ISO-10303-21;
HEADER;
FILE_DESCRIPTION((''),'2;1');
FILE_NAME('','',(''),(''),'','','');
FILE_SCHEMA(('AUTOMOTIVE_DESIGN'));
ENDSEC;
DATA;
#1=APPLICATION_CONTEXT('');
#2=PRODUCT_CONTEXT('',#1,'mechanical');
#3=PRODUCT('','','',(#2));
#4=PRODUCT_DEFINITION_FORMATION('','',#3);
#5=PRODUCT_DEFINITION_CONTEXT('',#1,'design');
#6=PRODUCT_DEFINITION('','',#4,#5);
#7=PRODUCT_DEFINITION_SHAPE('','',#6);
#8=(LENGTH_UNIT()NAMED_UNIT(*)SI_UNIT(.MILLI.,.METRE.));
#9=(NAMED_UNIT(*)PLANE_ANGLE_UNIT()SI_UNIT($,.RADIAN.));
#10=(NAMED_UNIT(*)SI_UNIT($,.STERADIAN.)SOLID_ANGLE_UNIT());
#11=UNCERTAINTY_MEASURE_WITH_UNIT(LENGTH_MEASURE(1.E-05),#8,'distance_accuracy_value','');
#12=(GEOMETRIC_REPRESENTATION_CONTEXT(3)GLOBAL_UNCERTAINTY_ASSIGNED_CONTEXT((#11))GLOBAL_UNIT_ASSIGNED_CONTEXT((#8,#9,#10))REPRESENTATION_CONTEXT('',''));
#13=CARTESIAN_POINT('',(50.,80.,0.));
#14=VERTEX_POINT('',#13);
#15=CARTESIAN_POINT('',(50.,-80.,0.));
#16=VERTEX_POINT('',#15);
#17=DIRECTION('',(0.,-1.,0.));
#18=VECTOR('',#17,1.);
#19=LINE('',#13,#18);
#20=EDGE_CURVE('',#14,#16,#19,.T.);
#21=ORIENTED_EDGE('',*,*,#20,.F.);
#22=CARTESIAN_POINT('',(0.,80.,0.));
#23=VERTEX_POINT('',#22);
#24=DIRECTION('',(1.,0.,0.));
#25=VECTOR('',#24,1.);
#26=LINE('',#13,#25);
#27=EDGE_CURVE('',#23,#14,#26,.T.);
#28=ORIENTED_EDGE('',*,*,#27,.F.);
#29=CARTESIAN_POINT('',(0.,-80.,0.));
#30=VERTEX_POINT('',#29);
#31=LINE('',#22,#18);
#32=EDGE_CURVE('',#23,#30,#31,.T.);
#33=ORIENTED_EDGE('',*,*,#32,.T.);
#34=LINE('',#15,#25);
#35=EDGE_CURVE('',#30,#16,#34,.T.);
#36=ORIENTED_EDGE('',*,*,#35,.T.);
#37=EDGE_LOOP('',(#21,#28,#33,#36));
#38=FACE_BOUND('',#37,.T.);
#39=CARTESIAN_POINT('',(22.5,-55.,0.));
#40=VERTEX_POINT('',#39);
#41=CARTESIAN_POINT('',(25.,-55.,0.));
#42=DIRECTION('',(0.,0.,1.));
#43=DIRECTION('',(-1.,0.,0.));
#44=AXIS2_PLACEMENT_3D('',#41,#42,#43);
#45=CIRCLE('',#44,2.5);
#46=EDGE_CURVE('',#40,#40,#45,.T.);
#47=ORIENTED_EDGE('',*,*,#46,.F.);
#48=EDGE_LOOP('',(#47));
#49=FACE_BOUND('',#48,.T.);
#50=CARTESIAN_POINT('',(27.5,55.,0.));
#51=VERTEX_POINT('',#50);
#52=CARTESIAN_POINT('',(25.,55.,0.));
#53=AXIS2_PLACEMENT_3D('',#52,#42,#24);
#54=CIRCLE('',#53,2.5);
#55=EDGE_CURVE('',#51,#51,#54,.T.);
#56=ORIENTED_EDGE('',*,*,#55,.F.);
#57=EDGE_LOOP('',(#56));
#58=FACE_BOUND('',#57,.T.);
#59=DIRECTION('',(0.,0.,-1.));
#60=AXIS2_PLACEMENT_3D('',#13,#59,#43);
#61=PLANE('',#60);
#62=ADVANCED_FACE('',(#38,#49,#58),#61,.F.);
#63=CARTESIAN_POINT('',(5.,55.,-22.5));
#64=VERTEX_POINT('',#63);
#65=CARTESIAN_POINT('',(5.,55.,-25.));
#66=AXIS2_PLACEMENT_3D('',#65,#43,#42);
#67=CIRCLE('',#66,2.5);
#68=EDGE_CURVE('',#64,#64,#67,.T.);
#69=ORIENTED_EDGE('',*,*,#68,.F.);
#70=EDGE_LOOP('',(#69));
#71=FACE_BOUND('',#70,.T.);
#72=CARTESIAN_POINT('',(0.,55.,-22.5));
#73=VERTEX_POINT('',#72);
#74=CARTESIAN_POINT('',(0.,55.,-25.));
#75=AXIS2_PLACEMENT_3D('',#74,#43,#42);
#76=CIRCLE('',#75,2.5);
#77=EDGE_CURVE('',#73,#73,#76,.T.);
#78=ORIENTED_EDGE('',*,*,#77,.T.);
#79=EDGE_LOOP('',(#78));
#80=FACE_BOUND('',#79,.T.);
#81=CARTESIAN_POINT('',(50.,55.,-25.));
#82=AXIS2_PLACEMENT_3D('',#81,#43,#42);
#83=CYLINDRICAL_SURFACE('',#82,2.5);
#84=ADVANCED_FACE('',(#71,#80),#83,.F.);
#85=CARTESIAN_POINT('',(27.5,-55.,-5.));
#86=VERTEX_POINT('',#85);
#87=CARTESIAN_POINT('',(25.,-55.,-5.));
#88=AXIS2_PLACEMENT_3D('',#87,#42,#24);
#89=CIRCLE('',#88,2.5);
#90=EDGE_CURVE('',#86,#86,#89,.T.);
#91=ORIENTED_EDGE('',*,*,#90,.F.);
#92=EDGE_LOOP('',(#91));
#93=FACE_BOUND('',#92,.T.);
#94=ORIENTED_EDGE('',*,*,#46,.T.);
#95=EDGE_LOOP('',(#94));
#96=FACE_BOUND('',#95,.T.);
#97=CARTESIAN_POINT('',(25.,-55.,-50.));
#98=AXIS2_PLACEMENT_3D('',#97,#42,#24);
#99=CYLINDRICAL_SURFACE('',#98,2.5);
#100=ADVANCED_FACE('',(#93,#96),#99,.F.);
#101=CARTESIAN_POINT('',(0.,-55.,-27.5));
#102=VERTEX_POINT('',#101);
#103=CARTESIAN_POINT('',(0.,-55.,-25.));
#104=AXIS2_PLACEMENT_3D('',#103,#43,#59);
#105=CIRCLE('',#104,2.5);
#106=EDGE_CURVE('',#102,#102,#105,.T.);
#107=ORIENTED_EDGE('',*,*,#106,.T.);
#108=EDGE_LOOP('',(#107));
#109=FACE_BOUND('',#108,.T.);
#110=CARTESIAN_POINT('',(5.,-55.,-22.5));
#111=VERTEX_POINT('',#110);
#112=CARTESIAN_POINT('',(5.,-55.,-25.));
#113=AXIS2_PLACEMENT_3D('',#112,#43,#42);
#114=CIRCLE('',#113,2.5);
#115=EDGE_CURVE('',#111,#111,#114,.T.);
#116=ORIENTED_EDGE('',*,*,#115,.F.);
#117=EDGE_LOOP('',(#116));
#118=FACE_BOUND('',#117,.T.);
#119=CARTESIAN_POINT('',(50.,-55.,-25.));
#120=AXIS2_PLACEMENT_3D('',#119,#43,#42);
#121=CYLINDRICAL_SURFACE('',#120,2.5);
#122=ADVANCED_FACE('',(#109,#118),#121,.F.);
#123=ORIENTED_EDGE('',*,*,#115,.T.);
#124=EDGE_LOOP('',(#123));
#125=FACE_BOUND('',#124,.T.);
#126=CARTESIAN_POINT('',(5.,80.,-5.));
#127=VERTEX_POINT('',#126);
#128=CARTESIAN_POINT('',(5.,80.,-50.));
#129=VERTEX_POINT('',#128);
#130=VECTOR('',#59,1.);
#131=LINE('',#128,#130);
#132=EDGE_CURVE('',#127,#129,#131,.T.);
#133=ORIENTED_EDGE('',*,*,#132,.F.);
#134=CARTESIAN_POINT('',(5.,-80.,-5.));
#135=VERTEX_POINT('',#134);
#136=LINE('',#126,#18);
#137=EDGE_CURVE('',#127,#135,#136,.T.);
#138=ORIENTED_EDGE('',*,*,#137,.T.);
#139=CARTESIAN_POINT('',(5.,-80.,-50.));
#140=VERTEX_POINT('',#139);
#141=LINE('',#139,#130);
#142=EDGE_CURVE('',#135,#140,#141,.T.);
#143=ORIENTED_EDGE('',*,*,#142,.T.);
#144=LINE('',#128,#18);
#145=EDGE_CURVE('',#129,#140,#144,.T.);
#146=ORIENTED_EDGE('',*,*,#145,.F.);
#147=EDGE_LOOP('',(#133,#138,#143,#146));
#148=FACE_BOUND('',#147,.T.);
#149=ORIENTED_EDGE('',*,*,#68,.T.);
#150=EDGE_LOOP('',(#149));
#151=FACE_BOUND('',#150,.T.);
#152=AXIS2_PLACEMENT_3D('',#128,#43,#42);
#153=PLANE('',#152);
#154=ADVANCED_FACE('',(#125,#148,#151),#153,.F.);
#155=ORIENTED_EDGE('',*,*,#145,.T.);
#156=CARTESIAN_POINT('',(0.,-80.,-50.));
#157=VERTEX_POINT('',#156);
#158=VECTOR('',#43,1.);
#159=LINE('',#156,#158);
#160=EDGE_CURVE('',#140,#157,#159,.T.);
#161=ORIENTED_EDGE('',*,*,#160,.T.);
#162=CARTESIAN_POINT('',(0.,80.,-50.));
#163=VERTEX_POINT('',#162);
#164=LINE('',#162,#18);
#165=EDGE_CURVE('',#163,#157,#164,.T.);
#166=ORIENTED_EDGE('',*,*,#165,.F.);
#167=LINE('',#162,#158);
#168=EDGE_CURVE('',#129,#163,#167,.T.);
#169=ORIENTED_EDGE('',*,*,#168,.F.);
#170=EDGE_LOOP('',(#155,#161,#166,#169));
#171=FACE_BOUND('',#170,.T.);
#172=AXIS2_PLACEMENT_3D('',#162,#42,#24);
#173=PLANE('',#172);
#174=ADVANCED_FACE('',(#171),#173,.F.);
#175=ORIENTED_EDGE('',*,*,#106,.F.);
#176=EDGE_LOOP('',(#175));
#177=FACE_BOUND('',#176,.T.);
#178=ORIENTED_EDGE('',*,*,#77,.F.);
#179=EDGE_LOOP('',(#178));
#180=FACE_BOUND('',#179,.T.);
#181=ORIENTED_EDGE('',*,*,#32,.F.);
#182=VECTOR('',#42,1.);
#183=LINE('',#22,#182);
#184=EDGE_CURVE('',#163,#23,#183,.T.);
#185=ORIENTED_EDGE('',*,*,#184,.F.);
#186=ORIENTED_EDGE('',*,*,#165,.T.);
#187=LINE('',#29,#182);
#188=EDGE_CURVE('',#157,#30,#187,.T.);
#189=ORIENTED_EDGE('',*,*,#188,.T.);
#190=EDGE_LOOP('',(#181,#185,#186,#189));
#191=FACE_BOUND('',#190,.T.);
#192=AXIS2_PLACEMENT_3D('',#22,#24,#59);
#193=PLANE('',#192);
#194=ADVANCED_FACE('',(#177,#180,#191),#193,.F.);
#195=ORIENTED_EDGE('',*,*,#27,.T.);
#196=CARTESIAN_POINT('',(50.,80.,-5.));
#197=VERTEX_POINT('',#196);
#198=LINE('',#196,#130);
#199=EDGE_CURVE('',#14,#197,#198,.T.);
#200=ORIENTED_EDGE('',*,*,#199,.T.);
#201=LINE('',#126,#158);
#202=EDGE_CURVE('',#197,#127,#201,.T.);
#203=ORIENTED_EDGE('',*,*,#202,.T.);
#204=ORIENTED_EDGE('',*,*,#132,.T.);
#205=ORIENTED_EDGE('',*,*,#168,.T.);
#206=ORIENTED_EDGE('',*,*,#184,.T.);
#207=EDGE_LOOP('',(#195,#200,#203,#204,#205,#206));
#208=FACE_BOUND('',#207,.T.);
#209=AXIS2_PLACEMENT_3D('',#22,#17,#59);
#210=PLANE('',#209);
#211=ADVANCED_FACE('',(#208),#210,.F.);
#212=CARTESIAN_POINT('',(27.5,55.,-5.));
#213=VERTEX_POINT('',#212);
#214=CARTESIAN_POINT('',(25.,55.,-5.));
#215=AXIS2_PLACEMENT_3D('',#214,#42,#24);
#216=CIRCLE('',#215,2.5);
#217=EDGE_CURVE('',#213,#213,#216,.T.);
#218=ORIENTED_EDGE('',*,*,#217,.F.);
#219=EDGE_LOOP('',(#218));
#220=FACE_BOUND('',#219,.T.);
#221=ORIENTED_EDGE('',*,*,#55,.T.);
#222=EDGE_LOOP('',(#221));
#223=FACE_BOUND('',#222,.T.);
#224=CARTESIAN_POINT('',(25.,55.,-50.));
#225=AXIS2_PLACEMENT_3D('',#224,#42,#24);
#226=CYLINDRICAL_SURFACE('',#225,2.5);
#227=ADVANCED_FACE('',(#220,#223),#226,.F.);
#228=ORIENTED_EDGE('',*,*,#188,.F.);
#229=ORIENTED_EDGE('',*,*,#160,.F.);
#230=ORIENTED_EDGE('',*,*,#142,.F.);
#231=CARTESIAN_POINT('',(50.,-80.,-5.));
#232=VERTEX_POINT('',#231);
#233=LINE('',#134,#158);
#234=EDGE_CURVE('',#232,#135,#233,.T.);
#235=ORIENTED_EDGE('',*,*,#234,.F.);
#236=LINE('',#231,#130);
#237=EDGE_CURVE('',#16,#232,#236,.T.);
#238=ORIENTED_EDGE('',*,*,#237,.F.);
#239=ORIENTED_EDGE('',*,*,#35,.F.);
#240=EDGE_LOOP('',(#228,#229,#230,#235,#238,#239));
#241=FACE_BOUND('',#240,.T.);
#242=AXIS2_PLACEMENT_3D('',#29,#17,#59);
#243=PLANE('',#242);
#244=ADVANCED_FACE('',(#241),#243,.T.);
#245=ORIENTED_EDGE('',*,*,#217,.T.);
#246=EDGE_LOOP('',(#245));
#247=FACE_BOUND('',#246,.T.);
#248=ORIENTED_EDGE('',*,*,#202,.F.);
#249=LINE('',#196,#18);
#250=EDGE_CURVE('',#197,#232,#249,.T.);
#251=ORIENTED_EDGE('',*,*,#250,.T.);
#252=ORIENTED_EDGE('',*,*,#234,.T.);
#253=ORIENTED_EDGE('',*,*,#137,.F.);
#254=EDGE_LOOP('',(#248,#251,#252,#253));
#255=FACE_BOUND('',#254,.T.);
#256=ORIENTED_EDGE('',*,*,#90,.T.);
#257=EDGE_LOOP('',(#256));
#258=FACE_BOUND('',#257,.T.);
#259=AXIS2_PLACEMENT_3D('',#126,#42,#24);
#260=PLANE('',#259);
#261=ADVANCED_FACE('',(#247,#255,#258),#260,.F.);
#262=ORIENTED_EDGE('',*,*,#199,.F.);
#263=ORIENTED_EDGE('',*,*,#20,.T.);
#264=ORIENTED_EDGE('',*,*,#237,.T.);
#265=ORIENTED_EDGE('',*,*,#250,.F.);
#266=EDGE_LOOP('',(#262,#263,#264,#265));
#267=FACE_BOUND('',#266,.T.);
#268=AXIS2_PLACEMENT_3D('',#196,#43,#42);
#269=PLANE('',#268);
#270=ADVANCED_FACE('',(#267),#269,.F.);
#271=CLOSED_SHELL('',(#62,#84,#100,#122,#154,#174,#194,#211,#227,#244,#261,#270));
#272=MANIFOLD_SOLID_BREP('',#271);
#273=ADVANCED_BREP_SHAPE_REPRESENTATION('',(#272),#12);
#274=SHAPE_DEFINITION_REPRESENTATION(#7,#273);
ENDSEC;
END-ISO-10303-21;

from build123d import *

# Parameters (mm, degrees)
BOSS_EXTRUDE1_DEPTH = 80
SKETCH2_R           = 2.5
CUT_EXTRUDE1_DEPTH  = 107.77078252
SKETCH3_R           = 2.5
CUT_EXTRUDE2_DEPTH  = 107.77078252


with BuildPart() as part:
    # Sketch1 → Boss-Extrude1 (new, symmetric)
    with BuildSketch(Plane(origin=(0, 0, 0), x_dir=(1, 0, 0), z_dir=(0, 1, 0))):
        Polygon((0, 0), (0, 50), (5, 50), (5, 5), (50, 5), (50, 0), align=None)
    extrude(amount=BOSS_EXTRUDE1_DEPTH, both=True)

    # Sketch2 → Cut-Extrude1 (cut, through all)
    with BuildSketch(Plane.XY):
        with Locations((25, 55)):
            Circle(SKETCH2_R)
        with Locations((25, -55)):
            Circle(SKETCH2_R)
    extrude(amount=-CUT_EXTRUDE1_DEPTH, mode=Mode.SUBTRACT)

    # Sketch3 → Cut-Extrude2 (cut, through all)
    with BuildSketch(Plane.ZY):
        with Locations((-25, 55)):
            Circle(SKETCH3_R)
        with Locations((-25, -55)):
            Circle(SKETCH3_R)
    extrude(amount=-CUT_EXTRUDE2_DEPTH, mode=Mode.SUBTRACT)


solid = part.part
